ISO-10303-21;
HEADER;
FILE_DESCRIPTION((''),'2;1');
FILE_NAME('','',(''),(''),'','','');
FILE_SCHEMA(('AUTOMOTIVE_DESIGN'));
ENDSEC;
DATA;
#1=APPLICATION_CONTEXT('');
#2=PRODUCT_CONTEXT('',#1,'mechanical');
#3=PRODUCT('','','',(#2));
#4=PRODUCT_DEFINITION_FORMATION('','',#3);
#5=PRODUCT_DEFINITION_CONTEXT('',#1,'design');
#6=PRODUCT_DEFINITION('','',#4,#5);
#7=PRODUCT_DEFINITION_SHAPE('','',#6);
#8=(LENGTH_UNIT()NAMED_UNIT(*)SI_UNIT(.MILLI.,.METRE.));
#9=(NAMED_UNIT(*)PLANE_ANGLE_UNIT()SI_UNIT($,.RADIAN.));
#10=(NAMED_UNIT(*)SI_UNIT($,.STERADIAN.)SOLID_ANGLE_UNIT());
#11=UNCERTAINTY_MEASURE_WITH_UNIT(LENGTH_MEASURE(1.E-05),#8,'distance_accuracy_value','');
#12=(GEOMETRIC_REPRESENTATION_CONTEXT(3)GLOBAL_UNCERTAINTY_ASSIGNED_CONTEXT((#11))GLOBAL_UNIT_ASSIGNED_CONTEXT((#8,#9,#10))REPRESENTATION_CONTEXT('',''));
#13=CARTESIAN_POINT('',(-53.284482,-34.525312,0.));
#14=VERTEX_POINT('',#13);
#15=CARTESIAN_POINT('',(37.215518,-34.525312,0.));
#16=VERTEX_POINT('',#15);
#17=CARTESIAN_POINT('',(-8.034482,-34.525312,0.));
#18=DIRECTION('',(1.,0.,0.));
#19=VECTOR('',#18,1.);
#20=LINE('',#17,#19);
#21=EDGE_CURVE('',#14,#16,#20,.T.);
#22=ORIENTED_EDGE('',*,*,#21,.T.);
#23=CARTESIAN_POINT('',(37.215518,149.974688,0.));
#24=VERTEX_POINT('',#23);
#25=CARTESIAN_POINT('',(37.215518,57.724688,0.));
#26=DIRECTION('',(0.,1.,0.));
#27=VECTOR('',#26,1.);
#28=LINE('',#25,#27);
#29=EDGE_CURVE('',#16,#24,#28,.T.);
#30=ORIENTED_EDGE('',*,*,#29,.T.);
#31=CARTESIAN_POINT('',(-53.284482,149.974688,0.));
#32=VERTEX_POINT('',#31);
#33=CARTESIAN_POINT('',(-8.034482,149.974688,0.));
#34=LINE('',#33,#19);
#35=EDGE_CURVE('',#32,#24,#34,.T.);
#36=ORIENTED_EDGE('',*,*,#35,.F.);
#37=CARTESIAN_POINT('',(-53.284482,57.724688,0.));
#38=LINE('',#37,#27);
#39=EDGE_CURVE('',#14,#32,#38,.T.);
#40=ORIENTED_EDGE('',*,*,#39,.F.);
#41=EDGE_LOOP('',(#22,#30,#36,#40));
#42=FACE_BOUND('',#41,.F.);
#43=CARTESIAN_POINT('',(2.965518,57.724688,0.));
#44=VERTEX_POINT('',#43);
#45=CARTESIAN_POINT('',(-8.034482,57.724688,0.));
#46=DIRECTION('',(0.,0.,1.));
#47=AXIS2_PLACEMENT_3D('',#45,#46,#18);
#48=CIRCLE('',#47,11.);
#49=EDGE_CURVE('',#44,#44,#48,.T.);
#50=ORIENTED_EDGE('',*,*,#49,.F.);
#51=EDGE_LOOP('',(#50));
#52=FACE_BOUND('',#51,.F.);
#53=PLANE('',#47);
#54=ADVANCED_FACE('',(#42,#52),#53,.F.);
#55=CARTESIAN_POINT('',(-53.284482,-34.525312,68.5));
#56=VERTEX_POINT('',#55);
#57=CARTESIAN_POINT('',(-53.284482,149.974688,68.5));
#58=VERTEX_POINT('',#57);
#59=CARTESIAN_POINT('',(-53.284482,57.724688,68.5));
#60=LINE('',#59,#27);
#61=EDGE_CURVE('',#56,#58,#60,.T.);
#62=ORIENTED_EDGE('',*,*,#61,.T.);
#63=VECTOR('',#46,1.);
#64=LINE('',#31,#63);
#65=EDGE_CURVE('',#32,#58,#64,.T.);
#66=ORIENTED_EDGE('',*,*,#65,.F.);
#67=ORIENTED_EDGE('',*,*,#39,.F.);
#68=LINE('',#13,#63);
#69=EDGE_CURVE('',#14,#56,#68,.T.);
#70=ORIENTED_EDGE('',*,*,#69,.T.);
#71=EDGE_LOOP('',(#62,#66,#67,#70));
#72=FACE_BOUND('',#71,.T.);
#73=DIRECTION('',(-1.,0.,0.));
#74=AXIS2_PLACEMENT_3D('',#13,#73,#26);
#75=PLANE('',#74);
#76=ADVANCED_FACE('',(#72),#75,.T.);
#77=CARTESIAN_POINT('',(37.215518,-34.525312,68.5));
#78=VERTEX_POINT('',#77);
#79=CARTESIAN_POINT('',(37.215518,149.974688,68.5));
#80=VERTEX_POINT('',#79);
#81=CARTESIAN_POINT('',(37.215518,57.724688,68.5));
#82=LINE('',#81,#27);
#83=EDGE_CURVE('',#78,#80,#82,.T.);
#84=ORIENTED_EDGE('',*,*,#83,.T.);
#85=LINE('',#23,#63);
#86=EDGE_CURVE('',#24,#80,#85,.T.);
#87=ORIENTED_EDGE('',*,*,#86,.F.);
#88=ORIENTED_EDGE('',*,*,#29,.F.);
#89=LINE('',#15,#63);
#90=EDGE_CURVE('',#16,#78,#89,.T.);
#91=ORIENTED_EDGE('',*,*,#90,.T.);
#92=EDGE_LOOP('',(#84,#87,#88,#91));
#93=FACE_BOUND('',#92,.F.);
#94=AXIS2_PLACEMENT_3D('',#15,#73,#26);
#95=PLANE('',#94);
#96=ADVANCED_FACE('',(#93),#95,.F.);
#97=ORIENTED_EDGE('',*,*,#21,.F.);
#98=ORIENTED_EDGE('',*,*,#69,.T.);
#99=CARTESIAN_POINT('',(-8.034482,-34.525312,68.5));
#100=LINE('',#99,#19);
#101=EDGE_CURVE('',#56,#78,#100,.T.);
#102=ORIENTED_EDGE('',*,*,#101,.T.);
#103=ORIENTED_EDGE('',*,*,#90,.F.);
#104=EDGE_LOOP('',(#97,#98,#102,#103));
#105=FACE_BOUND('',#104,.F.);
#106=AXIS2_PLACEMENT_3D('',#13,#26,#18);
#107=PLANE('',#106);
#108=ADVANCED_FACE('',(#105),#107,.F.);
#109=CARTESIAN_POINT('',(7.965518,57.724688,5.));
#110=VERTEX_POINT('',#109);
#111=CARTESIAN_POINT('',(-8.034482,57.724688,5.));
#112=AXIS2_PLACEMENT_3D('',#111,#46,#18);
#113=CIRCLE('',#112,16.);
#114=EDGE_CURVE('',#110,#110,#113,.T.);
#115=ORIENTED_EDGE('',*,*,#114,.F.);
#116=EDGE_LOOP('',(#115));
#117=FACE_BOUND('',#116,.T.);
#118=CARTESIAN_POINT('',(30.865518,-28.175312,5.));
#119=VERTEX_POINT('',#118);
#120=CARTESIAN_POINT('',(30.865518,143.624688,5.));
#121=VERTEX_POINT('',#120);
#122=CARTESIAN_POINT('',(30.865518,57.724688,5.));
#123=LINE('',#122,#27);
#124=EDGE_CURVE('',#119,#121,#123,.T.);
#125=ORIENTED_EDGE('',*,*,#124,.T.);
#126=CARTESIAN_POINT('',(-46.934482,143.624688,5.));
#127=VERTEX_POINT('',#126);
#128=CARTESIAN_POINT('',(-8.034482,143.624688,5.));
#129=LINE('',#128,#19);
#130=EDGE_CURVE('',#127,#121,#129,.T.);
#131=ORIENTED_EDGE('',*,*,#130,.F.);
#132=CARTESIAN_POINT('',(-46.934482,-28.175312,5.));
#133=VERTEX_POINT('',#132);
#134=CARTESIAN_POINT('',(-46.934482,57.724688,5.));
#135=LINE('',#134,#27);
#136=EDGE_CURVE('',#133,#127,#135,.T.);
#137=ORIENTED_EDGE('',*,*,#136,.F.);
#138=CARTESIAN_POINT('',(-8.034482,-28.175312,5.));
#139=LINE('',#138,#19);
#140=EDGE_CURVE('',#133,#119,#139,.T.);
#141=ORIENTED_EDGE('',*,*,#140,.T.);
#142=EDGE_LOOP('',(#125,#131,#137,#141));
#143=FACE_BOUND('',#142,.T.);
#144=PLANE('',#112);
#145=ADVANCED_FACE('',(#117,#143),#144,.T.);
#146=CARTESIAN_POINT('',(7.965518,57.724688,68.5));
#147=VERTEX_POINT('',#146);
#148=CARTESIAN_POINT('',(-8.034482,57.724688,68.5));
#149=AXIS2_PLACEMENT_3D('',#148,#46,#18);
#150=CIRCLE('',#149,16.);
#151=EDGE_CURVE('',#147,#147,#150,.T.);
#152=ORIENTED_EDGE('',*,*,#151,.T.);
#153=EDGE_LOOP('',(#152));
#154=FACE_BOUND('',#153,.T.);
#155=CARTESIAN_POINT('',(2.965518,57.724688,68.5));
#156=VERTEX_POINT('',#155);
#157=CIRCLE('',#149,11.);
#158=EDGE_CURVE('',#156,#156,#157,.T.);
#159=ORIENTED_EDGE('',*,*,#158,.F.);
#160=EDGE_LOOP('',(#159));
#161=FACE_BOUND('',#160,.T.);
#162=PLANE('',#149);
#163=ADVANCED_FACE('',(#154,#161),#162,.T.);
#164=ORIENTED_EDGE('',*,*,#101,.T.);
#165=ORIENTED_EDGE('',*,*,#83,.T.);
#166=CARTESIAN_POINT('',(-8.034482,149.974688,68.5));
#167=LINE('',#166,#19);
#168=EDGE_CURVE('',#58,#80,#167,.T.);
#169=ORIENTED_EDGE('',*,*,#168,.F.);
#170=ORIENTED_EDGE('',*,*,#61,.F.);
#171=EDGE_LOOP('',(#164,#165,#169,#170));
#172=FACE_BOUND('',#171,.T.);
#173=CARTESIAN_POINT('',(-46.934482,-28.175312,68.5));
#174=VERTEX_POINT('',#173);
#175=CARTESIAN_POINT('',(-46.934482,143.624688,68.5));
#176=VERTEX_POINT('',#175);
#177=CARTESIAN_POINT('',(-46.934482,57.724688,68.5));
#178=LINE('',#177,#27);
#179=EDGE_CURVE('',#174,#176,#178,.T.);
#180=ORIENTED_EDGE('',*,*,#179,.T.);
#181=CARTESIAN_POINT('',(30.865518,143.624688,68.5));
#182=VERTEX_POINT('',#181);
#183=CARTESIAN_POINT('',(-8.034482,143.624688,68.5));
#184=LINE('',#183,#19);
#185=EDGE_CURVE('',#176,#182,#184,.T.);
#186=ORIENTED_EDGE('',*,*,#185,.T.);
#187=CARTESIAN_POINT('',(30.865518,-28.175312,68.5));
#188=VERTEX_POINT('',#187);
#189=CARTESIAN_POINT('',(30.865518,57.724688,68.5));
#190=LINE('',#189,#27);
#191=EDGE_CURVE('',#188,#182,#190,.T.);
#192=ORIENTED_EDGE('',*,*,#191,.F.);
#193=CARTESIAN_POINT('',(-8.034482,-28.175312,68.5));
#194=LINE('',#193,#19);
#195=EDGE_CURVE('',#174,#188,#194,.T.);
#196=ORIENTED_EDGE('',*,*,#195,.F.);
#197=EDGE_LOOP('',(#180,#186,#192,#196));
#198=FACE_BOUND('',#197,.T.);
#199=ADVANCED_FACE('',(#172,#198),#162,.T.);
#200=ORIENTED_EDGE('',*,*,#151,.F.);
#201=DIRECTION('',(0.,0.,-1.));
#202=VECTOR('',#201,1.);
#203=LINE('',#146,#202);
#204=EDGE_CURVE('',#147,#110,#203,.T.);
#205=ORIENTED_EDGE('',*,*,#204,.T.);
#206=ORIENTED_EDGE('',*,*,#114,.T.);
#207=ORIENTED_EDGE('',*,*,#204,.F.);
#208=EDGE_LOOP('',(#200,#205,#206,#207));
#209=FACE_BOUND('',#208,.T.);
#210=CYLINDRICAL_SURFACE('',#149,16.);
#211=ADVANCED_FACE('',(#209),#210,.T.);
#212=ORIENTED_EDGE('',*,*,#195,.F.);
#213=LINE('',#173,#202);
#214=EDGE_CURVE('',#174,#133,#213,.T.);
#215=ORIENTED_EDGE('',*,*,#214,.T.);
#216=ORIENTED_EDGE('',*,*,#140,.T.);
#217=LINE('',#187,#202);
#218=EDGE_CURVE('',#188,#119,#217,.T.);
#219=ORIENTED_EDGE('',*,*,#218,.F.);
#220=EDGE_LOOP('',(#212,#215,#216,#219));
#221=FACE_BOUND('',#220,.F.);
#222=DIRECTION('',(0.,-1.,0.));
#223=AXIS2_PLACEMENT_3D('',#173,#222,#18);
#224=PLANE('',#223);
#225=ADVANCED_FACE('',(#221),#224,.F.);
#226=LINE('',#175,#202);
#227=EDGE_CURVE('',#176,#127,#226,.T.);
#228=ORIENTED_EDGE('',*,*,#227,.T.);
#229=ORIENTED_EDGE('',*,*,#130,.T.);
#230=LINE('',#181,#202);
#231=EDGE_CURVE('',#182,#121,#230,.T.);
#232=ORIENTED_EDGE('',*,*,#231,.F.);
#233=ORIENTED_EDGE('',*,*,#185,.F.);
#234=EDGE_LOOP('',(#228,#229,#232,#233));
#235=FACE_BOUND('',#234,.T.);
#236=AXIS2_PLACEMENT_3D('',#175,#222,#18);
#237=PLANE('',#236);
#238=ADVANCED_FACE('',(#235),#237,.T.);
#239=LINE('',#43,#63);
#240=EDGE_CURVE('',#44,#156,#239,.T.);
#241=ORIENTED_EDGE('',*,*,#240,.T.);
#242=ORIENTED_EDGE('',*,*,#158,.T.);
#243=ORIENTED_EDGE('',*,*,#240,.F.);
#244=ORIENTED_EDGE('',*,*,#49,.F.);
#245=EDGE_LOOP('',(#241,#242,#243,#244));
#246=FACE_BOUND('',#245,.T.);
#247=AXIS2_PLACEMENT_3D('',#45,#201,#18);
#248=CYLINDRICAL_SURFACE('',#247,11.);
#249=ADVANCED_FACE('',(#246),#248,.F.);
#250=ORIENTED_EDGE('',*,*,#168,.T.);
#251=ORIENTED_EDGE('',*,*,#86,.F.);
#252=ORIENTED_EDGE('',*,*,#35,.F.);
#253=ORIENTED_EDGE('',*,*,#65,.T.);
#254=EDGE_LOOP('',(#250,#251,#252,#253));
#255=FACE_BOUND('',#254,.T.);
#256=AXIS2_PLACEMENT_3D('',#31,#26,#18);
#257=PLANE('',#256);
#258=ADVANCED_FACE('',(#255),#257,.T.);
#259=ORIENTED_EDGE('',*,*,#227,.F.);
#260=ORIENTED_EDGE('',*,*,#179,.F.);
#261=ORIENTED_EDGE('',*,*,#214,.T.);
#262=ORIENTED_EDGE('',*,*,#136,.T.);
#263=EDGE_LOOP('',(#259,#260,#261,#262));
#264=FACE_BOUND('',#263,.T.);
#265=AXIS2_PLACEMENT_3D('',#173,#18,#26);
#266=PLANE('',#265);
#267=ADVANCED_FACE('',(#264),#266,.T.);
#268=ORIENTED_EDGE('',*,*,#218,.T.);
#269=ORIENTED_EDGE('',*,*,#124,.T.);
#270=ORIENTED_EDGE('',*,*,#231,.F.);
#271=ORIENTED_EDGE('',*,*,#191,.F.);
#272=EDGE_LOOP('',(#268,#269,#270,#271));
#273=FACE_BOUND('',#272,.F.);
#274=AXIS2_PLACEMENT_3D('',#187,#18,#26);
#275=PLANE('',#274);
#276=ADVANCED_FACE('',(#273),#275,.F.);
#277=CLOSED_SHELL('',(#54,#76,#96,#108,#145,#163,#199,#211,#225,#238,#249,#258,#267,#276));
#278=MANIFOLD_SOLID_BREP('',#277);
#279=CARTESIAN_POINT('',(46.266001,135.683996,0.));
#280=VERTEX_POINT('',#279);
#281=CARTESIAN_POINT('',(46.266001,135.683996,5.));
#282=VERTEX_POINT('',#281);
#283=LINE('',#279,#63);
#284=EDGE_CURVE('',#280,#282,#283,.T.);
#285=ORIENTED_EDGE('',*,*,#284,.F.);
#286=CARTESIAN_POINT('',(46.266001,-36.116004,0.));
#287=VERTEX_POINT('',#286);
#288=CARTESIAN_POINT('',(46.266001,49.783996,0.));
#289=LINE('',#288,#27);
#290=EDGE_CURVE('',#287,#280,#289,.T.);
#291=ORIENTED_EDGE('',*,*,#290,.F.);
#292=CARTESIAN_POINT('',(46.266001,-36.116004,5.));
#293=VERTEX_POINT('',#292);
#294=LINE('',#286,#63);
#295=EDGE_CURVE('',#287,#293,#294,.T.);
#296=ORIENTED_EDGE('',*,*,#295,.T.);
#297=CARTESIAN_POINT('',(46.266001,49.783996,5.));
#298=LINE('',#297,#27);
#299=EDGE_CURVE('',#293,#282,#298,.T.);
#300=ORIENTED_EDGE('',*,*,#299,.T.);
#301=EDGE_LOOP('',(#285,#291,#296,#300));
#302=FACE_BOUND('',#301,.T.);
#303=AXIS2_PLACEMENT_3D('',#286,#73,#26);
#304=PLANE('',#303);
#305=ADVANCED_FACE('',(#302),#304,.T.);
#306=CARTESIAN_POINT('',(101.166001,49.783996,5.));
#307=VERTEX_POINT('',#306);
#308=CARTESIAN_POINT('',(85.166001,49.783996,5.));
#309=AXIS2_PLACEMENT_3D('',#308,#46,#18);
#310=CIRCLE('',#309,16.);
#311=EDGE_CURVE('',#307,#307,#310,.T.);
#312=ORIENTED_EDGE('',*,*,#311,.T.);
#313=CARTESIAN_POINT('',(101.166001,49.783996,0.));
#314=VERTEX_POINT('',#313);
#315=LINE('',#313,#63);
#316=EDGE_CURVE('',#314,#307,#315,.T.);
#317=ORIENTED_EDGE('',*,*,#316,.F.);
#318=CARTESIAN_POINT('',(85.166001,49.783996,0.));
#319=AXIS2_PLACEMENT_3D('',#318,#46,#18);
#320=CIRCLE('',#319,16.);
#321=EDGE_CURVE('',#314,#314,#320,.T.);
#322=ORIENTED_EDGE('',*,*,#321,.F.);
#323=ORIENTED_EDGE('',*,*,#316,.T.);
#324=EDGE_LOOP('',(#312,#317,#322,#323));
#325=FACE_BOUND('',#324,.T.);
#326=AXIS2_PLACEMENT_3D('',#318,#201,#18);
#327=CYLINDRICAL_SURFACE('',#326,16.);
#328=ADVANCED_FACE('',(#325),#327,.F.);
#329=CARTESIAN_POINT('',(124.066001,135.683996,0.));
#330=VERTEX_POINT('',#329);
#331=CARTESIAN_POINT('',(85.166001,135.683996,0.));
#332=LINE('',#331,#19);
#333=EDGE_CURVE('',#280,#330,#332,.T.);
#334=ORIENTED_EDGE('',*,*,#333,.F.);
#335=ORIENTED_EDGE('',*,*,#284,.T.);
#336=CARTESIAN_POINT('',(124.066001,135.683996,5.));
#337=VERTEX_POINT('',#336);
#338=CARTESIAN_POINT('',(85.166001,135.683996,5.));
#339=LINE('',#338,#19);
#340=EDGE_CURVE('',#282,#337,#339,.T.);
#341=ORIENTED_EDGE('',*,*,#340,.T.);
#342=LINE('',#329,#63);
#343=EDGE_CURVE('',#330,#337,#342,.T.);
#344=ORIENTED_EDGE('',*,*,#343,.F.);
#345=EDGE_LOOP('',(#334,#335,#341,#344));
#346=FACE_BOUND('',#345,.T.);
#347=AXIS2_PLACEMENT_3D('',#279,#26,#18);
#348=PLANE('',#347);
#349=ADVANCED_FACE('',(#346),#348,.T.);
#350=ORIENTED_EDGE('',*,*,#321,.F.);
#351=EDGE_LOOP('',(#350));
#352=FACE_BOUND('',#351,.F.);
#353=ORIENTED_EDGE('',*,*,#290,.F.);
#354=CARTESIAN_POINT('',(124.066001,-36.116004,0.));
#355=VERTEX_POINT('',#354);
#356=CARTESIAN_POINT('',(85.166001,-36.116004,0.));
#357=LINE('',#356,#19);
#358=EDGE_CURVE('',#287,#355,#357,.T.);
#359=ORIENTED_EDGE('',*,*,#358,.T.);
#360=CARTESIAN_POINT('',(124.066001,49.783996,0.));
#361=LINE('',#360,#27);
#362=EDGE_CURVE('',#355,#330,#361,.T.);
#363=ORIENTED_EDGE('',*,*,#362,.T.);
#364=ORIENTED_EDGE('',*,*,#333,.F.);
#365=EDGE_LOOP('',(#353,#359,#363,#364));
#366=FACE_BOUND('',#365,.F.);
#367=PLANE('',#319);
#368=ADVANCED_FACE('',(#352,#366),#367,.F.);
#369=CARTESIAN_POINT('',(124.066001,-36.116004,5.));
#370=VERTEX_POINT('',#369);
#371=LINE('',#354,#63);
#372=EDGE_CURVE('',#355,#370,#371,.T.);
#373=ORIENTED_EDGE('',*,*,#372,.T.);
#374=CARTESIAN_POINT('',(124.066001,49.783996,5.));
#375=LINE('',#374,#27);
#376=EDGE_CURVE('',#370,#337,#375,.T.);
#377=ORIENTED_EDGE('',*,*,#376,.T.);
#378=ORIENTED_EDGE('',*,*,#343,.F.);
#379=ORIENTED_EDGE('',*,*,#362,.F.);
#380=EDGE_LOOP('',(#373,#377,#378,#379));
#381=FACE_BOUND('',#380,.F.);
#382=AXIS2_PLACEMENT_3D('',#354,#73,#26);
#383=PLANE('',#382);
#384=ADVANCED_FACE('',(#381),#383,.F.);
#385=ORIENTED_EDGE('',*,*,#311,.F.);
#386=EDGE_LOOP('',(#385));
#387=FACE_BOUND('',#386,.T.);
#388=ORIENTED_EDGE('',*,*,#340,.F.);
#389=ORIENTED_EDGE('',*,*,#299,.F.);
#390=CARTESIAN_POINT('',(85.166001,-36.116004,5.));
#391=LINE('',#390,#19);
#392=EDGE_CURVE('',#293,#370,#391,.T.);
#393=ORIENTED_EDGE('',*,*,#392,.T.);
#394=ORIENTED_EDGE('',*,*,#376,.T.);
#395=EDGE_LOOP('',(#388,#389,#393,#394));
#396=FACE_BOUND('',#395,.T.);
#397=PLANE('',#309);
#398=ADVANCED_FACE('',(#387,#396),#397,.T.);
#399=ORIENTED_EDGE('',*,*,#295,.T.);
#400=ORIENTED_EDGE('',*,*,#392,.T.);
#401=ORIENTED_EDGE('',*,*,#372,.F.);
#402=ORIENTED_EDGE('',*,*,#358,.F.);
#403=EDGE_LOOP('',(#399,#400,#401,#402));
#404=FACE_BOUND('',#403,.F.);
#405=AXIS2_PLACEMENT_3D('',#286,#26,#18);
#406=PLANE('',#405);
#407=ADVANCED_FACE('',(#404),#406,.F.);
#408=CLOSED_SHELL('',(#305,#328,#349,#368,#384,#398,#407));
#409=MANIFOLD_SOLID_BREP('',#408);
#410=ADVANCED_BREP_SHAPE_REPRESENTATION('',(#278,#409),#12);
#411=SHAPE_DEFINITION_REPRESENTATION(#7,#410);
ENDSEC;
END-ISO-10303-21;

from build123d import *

# Parameters (mm, degrees)
F0_W     = 90.5
F0_H     = 184.5
F0_R     = 11
F1_DEPTH = 68.5
F2_W     = 77.8
F2_H     = 171.8
F2_R     = 16
F3_DEPTH = 63.5
F4_W     = 77.8
F4_H     = 171.8
F4_R     = 16
F5_DEPTH = 5


with BuildPart() as f1:
    # F0 (on Top) → F1 (new body)
    with BuildSketch(Plane.XY):
        with Locations((-8.034482, 57.724688)):
            Rectangle(F0_W, F0_H)
        with Locations((-8.034482, 57.724688)):
            Circle(F0_R, mode=Mode.SUBTRACT)
    extrude(amount=F1_DEPTH)

    # F2 (on face) → F3 (cut)
    with BuildSketch(Plane.XY.offset(68.5)):
        with Locations((-8.034482, 57.724688)):
            Rectangle(F2_W, F2_H)
        with Locations((-8.034482, 57.724688)):
            Circle(F2_R, mode=Mode.SUBTRACT)
    extrude(amount=-F3_DEPTH, mode=Mode.SUBTRACT)


with BuildPart() as f5:
    # F4 (on Top) → F5 (new body)
    with BuildSketch(Plane.XY):
        with Locations((85.166001, 49.783996)):
            Rectangle(F4_W, F4_H)
        with Locations((85.166001, 49.783996)):
            Circle(F4_R, mode=Mode.SUBTRACT)
    extrude(amount=F5_DEPTH)


solid = Compound([f1.part, f5.part])
